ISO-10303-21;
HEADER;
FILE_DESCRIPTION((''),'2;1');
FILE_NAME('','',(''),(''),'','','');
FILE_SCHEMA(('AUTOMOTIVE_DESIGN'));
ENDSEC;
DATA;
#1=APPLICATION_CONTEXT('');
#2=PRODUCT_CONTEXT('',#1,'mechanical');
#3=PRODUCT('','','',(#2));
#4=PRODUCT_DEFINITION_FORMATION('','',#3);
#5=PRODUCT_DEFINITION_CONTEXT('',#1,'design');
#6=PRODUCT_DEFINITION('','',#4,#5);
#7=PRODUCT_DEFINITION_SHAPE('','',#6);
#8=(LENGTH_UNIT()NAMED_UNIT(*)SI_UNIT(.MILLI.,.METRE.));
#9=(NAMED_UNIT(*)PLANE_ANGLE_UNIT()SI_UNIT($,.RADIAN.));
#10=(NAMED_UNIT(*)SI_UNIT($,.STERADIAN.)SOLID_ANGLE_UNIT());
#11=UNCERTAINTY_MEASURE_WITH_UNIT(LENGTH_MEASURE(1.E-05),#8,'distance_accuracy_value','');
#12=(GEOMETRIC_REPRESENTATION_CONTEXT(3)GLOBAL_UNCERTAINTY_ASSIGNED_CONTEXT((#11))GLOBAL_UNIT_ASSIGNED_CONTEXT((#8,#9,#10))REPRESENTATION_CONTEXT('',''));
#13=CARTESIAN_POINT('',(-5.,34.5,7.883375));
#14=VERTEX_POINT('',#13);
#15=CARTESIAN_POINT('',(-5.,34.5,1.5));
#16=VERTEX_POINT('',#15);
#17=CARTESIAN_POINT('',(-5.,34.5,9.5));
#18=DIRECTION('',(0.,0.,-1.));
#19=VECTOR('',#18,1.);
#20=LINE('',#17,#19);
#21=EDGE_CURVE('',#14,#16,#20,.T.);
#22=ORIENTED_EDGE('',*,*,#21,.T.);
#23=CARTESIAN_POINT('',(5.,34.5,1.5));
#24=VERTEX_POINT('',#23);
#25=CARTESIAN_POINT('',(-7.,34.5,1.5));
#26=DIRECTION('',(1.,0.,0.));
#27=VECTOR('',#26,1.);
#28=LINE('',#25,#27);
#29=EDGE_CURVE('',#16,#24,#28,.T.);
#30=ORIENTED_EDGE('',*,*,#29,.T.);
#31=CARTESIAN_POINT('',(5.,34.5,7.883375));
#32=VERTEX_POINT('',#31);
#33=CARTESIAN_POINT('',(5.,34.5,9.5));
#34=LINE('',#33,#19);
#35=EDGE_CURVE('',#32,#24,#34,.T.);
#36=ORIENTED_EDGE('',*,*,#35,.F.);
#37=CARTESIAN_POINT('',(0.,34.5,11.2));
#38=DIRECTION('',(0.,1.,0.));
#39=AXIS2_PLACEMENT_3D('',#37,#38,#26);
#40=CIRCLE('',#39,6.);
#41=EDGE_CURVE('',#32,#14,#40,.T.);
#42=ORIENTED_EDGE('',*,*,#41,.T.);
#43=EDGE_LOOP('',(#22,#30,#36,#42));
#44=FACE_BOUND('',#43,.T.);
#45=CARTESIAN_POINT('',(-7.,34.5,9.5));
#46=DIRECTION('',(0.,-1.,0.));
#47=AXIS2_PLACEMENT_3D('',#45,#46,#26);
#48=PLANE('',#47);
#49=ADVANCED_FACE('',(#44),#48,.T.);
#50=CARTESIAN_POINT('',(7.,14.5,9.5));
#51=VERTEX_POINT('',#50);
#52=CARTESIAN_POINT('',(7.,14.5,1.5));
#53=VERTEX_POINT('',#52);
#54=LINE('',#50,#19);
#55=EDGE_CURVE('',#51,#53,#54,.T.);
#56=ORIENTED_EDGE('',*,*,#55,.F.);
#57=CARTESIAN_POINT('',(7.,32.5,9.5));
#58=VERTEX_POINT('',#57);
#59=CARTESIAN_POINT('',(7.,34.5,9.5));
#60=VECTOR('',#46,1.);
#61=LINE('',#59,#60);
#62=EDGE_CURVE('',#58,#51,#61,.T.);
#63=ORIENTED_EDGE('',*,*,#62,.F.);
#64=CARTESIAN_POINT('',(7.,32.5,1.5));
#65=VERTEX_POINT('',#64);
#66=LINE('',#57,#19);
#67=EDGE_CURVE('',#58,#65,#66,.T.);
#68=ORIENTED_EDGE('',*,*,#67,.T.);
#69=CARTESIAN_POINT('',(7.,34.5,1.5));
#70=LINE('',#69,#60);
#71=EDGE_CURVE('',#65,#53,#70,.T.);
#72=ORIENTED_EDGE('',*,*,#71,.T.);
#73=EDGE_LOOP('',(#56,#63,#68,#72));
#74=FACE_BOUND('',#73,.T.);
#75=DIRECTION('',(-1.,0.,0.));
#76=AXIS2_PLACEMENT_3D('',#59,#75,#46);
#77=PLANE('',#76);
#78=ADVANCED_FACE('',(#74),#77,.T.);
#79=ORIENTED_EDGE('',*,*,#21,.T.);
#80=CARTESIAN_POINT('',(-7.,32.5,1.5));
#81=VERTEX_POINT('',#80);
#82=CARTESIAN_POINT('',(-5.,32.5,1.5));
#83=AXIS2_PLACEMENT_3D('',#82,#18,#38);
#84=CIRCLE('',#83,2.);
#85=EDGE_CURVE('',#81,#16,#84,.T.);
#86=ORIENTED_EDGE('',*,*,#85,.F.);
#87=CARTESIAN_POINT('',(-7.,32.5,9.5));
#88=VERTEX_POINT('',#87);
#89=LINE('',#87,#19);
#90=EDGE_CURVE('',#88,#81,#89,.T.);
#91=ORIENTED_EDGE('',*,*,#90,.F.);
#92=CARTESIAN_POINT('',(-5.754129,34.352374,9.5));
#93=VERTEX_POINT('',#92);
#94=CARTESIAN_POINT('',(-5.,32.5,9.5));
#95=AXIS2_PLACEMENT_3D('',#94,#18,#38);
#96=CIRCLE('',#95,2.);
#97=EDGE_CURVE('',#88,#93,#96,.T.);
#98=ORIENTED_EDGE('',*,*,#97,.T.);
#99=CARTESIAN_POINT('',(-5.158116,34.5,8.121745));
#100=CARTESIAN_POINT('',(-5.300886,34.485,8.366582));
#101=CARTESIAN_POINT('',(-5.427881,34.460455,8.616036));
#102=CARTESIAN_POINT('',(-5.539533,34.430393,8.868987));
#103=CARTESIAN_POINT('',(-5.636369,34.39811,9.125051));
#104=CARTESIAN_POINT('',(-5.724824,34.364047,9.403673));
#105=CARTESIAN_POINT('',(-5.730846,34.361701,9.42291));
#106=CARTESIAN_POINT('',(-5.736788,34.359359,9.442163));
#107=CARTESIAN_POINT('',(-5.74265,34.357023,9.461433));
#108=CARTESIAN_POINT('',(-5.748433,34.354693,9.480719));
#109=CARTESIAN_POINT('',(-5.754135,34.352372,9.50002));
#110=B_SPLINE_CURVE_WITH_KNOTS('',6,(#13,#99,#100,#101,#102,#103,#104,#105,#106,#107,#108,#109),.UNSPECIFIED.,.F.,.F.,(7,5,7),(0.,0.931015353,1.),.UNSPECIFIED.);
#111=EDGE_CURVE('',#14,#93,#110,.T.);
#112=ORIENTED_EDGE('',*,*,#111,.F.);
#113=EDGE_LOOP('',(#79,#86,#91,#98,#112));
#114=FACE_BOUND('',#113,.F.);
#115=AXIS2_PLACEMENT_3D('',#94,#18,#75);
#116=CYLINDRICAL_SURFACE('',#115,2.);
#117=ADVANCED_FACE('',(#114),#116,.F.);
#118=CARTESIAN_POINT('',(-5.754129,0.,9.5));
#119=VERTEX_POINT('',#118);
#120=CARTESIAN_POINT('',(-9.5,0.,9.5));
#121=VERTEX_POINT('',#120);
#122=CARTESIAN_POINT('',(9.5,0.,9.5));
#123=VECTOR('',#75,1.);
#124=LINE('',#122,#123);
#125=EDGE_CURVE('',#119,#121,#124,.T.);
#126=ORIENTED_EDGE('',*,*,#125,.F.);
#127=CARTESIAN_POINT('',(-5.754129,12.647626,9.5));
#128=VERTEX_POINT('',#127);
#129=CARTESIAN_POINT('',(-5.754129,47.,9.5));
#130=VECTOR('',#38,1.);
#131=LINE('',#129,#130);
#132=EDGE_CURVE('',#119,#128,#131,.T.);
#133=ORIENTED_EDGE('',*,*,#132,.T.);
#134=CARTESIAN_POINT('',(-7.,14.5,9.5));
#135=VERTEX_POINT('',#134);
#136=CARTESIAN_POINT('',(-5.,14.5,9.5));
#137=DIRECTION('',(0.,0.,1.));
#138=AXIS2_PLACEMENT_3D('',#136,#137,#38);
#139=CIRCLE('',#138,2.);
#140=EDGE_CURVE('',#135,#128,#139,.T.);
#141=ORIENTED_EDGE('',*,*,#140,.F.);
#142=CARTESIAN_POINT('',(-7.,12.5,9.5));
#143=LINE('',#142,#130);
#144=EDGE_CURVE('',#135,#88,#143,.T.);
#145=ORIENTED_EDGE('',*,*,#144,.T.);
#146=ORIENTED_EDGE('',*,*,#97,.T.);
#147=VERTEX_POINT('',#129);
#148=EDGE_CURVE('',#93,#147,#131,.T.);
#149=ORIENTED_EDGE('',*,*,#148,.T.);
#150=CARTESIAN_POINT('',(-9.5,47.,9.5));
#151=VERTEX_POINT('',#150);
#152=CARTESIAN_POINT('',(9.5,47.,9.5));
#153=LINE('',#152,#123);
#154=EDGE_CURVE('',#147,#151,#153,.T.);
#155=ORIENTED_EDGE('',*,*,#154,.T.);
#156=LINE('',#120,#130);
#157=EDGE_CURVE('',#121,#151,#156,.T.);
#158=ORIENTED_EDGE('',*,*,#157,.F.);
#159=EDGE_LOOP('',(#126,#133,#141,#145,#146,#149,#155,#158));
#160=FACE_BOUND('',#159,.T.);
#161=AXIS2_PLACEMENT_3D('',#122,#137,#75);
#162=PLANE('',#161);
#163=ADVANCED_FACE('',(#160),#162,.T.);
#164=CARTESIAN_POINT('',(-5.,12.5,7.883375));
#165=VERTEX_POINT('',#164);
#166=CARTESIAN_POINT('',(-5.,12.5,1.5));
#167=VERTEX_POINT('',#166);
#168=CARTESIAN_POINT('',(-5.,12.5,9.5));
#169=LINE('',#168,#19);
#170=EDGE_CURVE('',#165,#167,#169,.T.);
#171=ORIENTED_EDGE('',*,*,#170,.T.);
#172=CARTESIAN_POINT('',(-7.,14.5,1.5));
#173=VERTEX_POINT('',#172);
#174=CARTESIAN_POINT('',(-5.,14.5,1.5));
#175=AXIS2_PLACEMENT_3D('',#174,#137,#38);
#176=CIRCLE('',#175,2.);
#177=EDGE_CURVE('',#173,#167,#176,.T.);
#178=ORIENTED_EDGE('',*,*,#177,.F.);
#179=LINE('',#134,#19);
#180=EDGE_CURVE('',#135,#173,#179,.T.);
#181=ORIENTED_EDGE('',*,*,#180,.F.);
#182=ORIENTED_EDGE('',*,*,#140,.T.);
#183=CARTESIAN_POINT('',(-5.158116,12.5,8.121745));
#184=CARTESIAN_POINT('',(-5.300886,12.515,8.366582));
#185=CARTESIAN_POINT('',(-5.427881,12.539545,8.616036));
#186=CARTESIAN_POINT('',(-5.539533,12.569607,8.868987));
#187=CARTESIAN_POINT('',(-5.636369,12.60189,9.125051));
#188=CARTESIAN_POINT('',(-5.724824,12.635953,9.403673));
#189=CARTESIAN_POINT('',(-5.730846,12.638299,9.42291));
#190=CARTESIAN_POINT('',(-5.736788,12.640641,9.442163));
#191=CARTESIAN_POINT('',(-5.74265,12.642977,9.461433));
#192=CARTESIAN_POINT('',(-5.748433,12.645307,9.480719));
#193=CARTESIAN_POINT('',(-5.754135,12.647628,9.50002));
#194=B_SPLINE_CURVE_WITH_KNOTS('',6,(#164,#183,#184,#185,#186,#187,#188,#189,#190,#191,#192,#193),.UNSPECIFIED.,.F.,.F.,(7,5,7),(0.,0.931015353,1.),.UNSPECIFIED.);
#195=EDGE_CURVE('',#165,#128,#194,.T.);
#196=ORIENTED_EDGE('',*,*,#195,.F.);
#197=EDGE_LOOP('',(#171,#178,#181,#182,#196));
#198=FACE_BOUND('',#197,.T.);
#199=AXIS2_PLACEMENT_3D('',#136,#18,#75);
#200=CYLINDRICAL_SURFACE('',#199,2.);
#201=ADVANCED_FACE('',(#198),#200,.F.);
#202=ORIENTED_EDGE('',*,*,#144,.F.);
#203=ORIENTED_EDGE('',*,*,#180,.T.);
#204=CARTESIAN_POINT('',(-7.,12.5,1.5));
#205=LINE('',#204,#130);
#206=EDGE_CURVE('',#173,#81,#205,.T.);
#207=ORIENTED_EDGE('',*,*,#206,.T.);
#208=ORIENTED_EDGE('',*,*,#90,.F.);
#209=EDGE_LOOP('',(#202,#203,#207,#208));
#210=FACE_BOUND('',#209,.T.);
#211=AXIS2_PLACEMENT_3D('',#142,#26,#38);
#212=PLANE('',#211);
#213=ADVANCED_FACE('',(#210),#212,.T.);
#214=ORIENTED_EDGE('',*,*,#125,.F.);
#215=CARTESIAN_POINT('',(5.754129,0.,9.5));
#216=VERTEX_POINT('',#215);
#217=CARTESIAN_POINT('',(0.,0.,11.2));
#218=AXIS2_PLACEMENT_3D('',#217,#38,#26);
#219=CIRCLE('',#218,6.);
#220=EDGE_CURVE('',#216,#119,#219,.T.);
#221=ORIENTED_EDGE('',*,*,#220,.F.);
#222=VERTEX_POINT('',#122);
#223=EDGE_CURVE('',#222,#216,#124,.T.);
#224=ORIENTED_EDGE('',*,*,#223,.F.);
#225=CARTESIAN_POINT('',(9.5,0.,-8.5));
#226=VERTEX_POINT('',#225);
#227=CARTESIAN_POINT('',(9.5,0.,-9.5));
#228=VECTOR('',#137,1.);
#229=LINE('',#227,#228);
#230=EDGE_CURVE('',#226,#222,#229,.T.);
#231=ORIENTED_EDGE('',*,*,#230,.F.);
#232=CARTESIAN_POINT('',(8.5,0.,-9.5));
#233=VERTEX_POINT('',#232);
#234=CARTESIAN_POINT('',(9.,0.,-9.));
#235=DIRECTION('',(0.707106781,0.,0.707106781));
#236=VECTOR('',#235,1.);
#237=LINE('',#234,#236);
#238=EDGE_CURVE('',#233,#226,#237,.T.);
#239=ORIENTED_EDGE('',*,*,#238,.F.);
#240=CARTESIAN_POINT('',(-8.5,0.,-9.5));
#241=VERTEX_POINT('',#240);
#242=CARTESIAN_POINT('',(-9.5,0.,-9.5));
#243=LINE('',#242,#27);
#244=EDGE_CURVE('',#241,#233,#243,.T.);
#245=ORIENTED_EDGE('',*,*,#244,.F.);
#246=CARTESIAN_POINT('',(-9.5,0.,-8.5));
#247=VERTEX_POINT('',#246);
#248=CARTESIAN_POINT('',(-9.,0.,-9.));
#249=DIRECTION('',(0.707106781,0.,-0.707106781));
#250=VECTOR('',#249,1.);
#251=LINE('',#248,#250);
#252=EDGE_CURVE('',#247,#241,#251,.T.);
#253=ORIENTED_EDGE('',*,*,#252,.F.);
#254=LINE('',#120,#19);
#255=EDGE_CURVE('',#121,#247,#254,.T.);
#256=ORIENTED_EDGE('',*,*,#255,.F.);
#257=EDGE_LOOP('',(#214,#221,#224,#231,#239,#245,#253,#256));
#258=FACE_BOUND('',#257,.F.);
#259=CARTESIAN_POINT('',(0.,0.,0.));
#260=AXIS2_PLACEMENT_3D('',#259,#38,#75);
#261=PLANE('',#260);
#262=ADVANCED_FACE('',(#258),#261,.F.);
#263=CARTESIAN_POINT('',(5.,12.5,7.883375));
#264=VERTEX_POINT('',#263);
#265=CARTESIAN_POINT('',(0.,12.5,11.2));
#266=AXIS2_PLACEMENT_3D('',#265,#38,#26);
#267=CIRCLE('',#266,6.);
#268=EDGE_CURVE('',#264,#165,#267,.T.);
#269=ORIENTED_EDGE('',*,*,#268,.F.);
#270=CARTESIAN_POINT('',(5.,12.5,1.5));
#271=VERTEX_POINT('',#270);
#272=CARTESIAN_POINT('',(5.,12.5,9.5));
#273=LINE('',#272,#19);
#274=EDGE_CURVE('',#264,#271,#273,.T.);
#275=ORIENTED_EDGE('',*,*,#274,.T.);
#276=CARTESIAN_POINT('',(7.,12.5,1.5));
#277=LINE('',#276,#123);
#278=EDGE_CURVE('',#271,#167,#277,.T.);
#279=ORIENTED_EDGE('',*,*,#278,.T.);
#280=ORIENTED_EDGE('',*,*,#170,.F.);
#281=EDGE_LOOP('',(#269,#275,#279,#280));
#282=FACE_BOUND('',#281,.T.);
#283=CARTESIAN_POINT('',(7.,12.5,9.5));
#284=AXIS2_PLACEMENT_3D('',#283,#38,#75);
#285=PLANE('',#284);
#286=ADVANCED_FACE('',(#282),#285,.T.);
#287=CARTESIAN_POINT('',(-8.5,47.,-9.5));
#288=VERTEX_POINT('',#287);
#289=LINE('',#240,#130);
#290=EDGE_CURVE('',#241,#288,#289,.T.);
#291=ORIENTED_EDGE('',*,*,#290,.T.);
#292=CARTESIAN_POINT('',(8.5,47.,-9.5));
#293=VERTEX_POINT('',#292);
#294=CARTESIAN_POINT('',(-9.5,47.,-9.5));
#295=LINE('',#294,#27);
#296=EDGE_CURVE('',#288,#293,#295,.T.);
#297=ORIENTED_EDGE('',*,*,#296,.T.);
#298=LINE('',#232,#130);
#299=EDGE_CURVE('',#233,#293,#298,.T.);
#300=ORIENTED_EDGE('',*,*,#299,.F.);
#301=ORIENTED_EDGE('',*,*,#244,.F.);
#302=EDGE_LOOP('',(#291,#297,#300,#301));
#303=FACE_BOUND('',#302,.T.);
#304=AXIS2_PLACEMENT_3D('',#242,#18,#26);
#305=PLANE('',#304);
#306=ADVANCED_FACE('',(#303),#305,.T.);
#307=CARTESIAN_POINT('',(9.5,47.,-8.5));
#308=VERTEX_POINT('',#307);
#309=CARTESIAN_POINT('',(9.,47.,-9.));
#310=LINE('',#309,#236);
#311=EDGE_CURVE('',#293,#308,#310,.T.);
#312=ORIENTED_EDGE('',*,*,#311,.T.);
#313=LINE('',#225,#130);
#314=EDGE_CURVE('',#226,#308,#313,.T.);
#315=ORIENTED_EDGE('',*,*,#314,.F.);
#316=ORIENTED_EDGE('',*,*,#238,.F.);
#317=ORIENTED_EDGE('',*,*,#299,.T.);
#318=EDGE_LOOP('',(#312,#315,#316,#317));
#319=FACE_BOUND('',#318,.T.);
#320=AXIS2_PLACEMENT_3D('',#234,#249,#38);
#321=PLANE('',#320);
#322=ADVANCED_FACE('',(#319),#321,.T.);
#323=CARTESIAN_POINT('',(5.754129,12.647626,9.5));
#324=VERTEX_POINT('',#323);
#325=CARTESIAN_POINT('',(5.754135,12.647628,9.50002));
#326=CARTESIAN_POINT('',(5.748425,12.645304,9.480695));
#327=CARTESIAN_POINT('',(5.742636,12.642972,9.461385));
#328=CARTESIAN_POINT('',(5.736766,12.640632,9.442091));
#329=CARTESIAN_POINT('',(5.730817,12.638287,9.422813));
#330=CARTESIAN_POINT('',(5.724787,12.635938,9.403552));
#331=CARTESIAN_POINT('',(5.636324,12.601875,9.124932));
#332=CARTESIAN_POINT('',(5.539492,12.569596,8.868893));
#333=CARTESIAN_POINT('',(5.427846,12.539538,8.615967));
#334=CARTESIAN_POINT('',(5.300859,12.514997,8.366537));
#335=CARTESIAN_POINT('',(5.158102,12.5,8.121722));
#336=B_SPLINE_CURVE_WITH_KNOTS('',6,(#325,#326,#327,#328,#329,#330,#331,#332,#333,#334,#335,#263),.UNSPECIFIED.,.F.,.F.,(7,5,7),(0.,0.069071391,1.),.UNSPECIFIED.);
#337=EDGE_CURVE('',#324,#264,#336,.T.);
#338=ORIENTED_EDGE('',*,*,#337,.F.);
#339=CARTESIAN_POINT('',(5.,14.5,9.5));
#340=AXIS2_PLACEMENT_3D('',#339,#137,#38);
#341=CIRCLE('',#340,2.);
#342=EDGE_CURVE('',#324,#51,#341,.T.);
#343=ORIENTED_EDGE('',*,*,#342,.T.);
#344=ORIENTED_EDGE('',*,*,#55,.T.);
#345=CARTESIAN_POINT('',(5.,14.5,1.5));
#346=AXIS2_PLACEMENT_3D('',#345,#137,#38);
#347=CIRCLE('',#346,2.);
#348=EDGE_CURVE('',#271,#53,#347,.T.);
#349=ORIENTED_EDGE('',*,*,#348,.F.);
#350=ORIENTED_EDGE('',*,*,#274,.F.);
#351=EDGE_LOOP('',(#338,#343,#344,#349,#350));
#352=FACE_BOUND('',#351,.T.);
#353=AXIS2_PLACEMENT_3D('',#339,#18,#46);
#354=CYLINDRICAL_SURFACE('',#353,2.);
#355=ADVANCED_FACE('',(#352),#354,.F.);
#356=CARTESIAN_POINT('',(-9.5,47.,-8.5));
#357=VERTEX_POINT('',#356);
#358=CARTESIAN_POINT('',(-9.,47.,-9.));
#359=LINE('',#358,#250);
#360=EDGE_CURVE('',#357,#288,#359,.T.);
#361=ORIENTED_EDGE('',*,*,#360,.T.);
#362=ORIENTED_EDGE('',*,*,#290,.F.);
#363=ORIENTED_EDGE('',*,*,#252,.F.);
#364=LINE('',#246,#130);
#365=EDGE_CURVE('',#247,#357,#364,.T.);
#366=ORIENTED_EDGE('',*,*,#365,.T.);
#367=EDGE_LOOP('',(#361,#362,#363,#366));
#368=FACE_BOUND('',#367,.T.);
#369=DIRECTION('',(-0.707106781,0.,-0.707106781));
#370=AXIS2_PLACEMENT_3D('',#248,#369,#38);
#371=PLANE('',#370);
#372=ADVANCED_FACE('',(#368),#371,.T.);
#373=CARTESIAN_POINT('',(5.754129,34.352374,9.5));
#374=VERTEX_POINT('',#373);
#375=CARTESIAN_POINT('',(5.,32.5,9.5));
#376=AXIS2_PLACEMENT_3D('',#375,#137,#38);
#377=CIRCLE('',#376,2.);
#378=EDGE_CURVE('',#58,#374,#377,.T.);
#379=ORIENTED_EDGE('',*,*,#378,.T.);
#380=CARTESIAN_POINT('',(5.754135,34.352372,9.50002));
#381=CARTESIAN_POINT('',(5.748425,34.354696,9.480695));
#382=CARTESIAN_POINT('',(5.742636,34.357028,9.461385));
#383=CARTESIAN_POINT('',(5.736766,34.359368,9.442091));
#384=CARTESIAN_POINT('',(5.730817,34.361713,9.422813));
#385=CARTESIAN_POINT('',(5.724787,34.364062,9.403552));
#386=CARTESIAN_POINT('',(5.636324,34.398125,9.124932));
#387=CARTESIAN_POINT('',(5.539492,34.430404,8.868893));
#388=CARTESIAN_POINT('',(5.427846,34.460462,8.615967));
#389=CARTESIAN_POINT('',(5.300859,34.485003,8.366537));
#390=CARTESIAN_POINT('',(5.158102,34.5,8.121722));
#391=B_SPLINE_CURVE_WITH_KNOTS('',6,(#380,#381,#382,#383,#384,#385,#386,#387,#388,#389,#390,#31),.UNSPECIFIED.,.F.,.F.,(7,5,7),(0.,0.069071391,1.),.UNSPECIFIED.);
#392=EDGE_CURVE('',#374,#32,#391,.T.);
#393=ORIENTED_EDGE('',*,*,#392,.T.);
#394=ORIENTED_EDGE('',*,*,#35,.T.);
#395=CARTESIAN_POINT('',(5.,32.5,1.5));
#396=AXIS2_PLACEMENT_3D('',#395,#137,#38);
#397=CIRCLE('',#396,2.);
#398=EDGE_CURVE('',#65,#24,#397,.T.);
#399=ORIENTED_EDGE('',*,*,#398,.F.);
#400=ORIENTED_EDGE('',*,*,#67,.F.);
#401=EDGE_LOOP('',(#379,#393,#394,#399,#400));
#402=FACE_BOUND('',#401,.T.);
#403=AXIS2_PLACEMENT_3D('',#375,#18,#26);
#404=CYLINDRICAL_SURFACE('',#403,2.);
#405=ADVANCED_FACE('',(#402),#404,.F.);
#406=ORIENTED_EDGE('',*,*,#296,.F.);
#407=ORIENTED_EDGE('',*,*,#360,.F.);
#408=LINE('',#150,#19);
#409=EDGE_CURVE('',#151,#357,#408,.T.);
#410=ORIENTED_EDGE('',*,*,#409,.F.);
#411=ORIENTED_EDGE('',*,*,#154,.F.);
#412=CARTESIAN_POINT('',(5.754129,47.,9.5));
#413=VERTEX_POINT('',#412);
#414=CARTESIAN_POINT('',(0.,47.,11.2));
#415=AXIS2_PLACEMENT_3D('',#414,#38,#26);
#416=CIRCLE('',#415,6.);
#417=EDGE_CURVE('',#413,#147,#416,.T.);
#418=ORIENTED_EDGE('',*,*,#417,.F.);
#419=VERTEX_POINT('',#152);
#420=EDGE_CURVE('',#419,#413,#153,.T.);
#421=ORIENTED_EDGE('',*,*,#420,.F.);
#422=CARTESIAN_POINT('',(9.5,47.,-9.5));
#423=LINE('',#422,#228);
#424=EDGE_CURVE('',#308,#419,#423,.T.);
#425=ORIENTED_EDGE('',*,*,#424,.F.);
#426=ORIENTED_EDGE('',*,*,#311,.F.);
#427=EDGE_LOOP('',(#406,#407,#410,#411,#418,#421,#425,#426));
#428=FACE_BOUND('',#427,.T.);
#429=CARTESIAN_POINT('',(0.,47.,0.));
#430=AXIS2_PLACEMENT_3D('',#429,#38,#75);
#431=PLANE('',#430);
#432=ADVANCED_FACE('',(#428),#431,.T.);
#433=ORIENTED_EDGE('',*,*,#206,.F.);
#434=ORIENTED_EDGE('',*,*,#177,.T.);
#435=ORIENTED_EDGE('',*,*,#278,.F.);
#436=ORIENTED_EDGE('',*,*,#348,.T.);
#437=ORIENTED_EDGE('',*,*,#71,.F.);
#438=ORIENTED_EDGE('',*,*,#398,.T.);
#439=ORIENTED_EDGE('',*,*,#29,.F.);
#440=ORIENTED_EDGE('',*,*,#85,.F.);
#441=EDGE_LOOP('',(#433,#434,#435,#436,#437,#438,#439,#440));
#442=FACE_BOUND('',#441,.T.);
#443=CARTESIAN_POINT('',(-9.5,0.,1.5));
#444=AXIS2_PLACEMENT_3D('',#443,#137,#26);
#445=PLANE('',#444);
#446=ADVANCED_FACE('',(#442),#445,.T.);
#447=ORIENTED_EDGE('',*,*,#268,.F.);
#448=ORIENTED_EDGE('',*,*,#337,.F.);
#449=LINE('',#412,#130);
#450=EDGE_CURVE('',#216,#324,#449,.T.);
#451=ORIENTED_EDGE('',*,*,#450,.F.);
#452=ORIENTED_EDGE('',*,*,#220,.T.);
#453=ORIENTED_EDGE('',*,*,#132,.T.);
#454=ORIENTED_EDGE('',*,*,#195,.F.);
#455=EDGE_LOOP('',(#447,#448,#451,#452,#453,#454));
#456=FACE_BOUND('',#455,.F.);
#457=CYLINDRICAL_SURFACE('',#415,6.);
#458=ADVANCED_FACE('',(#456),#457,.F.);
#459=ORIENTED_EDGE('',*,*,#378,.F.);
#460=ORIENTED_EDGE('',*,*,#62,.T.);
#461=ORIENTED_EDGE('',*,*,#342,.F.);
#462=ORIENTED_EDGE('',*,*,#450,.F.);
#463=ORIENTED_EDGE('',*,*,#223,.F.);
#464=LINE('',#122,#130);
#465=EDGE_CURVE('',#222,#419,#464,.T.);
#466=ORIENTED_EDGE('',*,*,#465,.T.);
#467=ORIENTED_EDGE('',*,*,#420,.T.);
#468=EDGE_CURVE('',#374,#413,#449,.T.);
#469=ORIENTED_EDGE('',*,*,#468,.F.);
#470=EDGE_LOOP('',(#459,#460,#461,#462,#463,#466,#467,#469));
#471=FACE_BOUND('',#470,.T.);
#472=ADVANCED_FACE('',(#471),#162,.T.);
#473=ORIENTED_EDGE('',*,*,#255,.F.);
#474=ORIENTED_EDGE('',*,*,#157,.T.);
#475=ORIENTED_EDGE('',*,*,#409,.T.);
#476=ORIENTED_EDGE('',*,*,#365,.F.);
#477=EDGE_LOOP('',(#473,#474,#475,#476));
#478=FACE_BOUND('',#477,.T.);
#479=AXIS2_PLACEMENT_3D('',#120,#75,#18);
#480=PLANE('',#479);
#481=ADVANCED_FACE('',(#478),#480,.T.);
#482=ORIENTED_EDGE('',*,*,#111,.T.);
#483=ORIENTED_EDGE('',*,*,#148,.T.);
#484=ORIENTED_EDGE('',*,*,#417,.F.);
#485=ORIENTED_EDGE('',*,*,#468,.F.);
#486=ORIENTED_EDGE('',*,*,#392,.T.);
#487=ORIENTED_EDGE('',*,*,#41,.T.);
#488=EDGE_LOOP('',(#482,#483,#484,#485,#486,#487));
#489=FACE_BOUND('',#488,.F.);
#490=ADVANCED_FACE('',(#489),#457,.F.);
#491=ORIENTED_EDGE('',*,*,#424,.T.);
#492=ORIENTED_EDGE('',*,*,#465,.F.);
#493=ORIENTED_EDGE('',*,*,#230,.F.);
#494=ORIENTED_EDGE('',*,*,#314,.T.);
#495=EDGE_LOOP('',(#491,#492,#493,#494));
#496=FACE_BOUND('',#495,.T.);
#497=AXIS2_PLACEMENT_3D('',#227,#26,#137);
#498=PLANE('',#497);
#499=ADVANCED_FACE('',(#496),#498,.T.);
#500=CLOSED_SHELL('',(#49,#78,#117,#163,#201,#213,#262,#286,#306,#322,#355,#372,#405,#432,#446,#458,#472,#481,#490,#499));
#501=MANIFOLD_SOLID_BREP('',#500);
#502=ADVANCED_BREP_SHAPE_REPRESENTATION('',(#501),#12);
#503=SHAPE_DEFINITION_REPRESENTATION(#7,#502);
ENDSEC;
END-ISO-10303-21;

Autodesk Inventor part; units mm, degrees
ref_plane "YZ Plane" through (0, 0, 0) normal (1, 0, 0) x (0, 1, 0)
ref_plane "XZ Plane" through (0, 0, 0) normal (0, 1, 0) x (-1, 0, 0)
ref_plane "XY Plane" through (0, 0, 0) normal (0, 0, 1) x (1, 0, 0)
sketch "Sketch1" plane through (0, 0, 0) normal (0, 1, 0) x (-1, 0, 0)
  line L0 (-9.5, 9.5) -> (9.5, 9.5)
  line L1 (9.5, 9.5) -> (9.5, -9.5)
  line L2 (9.5, -9.5) -> (-9.5, -9.5)
  line L3 (-9.5, -9.5) -> (-9.5, 9.5)
  line L4 (-9.5, 9.5) -> (9.5, -9.5) construction
  line L5 (9.5, 9.5) -> (-9.5, -9.5) construction
  point P0 (0, 0)
extrude "Extrusion1" add sketch "Sketch1" along normal blind 47
sketch "Sketch2" plane through (-9.5, 0, 9.5) normal (0, 0, 1) x (1, 0, 0)
  line L0 (0, 47) -> (19, 47) construction
  line L1 (9.5, 34.5) -> (9.5, 12.5) construction
  line L2 (2.5, 34.5) -> (16.5, 34.5)
  line L3 (16.5, 34.5) -> (16.5, 12.5)
  line L4 (16.5, 12.5) -> (2.5, 12.5)
  line L5 (2.5, 12.5) -> (2.5, 34.5)
  line L6 (2.5, 34.5) -> (16.5, 12.5) construction
  line L7 (16.5, 34.5) -> (2.5, 12.5) construction
  point P0 (9.5, 0)
  point P1 (9.5, 23.5)
  dimension "d5" = 22
  dimension "d6" = 14
  dimension "d7" = 22
extrude "Extrusion2" cut sketch "Sketch2" against normal blind 8
fillet "Fillet1" radius 2 4 edges at (-7, 34.5, 5.5) (-7, 12.5, 5.5) (7, 34.5, 5.5) (7, 12.5, 5.5)
sketch "Sketch3" plane through (0, 47, 0) normal (0, 1, 0) x (1, 0, 0)
  line L0 (9.5, 9.5) -> (-9.5, 9.5) construction
  line L1 (0, 9.5) -> (0, -11.2) construction
  circle A0 centre (0, -11.2) radius 6
  point P0 (0, 0)
  dimension "d11" = 20.7
  dimension "d12" = 12
extrude "Extrusion3" cut sketch "Sketch3" against normal through all
chamfer "Chamfer1" distance 1 angle 45 2 edges at (-9.5, 23.5, -9.5) (9.5, 23.5, -9.5)
properties part number "Semi cuscinetto 2"
